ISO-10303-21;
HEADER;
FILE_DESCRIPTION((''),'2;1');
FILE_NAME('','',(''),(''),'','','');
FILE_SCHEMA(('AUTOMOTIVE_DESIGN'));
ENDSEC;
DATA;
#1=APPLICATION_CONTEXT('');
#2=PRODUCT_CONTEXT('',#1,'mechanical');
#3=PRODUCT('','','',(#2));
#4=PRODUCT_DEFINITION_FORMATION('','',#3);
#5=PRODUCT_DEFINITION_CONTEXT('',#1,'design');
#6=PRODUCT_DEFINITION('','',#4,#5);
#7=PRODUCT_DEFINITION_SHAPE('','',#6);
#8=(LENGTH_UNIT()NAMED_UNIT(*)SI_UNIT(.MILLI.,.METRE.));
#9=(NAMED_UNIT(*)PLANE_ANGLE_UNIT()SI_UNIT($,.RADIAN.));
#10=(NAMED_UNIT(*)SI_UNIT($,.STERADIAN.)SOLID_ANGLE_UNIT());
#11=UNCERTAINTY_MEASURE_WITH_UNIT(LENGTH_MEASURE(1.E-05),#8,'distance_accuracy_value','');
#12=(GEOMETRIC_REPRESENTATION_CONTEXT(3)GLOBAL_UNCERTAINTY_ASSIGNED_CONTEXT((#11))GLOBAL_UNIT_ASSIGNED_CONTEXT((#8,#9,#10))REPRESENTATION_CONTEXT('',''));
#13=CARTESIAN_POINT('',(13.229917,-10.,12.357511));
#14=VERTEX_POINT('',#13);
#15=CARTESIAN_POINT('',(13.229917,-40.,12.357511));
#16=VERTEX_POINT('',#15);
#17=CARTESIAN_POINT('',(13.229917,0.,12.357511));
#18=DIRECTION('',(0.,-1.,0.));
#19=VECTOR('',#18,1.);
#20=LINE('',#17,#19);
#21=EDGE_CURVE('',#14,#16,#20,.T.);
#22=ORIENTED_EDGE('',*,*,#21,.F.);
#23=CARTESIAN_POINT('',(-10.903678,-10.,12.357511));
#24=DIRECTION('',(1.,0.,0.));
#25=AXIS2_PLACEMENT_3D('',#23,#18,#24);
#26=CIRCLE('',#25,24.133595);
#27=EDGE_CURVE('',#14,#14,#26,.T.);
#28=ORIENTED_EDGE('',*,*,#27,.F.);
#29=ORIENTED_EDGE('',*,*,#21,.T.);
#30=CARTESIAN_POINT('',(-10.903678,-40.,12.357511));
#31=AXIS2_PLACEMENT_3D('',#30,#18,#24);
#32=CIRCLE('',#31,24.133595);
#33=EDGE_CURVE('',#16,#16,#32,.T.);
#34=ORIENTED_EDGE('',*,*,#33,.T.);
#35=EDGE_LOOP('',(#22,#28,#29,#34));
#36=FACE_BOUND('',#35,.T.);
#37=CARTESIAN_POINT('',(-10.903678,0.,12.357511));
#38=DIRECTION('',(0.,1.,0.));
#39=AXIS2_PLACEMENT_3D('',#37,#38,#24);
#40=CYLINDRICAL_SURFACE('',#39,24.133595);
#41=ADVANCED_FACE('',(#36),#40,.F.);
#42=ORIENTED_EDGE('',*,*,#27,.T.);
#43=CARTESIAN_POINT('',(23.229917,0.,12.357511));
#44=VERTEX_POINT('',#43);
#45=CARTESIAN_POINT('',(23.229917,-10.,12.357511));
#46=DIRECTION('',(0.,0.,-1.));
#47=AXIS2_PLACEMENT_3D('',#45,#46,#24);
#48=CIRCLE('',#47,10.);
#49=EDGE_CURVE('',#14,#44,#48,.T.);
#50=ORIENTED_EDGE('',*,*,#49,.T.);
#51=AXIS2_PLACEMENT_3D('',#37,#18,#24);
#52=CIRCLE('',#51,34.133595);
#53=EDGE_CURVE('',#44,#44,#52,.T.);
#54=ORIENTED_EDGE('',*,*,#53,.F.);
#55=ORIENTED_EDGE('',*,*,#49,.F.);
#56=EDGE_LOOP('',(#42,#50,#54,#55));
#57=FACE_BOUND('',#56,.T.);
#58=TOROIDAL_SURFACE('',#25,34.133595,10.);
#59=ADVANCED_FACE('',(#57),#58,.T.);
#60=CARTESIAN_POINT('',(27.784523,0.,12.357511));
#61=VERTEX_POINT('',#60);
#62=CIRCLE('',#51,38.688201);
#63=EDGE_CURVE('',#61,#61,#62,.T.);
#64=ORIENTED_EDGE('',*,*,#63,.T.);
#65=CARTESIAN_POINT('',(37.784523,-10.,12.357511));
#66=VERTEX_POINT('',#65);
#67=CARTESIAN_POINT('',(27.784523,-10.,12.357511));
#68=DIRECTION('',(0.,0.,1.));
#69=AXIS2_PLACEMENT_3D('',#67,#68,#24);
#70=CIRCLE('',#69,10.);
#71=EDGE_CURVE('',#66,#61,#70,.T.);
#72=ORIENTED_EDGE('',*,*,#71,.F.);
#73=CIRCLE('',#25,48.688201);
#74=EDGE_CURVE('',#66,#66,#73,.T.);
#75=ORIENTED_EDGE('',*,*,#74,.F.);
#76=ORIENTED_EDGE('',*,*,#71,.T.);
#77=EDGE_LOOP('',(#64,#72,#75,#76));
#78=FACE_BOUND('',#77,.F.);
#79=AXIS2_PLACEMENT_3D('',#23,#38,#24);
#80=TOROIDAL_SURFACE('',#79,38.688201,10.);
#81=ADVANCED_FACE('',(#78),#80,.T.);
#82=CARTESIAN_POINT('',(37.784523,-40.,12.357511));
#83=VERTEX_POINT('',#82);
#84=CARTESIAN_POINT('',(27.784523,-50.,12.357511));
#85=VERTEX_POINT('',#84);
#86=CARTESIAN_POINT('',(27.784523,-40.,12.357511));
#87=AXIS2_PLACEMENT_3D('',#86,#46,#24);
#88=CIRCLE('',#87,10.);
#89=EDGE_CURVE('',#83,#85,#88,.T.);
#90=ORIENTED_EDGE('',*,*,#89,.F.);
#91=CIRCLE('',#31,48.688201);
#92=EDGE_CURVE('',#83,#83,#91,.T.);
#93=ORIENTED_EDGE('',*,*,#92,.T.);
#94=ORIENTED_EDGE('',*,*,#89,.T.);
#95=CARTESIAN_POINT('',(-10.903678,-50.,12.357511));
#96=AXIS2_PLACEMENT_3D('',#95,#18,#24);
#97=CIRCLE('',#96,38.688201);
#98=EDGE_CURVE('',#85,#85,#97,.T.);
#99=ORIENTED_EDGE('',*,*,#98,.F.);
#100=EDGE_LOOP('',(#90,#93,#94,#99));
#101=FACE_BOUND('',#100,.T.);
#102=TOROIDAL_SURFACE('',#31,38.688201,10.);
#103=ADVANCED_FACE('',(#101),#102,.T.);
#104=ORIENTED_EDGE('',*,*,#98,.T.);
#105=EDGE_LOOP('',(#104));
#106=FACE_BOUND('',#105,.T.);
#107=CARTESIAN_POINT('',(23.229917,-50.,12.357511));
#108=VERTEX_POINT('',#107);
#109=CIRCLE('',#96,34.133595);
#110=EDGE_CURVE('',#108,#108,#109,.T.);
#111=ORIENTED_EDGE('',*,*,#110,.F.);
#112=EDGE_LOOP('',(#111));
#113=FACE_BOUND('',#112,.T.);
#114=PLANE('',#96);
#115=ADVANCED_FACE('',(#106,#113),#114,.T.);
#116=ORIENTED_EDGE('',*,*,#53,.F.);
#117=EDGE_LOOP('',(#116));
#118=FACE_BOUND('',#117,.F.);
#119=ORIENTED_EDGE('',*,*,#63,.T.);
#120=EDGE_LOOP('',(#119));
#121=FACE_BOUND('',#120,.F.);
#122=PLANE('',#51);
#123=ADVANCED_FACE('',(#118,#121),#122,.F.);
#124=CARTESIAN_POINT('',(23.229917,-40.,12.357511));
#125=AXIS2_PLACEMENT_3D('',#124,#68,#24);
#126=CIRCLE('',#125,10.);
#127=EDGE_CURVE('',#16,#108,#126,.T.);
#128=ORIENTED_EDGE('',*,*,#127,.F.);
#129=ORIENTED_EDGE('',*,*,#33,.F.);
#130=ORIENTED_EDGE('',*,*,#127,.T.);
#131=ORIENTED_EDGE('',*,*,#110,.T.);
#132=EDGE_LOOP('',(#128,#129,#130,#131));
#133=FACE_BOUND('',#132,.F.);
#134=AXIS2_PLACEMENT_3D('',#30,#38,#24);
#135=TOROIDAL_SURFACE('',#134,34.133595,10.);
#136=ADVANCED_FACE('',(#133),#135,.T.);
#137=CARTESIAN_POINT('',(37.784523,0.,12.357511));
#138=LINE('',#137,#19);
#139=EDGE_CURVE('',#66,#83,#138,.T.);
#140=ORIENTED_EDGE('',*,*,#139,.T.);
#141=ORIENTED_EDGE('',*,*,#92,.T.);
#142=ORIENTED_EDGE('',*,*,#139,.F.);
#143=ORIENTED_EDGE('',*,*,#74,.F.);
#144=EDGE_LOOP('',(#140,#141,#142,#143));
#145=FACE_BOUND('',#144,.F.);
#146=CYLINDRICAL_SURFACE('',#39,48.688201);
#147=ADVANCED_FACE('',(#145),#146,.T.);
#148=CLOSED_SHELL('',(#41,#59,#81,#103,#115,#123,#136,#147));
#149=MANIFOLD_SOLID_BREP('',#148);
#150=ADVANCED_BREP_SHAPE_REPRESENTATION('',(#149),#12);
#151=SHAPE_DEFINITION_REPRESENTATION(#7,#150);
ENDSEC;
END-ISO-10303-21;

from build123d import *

# Parameters (mm, degrees)
F0_R     = 48.688201
F0_R_2   = 24.133595
F1_DEPTH = 50
F2_R     = 10


with BuildPart() as f1:
    # F0 (on Front) → F1 (new body)
    with BuildSketch(Plane.XZ):
        with Locations((-10.903678, 12.357511)):
            Circle(F0_R)
        with Locations((-10.903678, 12.357511)):
            Circle(F0_R_2, mode=Mode.SUBTRACT)
    extrude(amount=F1_DEPTH)

    # F2
    f2_edges = [f1.edges().sort_by_distance(p)[0] for p in [
        (-59.591879, 0, 12.357511),
        (-35.037273, 0, 12.357511),
        (-35.037273, -50, 12.357511),
        (13.229917, -25, 12.357511),
        (-59.591879, -50, 12.357511),
    ]]
    fillet(f2_edges, radius=F2_R)


solid = f1.part
